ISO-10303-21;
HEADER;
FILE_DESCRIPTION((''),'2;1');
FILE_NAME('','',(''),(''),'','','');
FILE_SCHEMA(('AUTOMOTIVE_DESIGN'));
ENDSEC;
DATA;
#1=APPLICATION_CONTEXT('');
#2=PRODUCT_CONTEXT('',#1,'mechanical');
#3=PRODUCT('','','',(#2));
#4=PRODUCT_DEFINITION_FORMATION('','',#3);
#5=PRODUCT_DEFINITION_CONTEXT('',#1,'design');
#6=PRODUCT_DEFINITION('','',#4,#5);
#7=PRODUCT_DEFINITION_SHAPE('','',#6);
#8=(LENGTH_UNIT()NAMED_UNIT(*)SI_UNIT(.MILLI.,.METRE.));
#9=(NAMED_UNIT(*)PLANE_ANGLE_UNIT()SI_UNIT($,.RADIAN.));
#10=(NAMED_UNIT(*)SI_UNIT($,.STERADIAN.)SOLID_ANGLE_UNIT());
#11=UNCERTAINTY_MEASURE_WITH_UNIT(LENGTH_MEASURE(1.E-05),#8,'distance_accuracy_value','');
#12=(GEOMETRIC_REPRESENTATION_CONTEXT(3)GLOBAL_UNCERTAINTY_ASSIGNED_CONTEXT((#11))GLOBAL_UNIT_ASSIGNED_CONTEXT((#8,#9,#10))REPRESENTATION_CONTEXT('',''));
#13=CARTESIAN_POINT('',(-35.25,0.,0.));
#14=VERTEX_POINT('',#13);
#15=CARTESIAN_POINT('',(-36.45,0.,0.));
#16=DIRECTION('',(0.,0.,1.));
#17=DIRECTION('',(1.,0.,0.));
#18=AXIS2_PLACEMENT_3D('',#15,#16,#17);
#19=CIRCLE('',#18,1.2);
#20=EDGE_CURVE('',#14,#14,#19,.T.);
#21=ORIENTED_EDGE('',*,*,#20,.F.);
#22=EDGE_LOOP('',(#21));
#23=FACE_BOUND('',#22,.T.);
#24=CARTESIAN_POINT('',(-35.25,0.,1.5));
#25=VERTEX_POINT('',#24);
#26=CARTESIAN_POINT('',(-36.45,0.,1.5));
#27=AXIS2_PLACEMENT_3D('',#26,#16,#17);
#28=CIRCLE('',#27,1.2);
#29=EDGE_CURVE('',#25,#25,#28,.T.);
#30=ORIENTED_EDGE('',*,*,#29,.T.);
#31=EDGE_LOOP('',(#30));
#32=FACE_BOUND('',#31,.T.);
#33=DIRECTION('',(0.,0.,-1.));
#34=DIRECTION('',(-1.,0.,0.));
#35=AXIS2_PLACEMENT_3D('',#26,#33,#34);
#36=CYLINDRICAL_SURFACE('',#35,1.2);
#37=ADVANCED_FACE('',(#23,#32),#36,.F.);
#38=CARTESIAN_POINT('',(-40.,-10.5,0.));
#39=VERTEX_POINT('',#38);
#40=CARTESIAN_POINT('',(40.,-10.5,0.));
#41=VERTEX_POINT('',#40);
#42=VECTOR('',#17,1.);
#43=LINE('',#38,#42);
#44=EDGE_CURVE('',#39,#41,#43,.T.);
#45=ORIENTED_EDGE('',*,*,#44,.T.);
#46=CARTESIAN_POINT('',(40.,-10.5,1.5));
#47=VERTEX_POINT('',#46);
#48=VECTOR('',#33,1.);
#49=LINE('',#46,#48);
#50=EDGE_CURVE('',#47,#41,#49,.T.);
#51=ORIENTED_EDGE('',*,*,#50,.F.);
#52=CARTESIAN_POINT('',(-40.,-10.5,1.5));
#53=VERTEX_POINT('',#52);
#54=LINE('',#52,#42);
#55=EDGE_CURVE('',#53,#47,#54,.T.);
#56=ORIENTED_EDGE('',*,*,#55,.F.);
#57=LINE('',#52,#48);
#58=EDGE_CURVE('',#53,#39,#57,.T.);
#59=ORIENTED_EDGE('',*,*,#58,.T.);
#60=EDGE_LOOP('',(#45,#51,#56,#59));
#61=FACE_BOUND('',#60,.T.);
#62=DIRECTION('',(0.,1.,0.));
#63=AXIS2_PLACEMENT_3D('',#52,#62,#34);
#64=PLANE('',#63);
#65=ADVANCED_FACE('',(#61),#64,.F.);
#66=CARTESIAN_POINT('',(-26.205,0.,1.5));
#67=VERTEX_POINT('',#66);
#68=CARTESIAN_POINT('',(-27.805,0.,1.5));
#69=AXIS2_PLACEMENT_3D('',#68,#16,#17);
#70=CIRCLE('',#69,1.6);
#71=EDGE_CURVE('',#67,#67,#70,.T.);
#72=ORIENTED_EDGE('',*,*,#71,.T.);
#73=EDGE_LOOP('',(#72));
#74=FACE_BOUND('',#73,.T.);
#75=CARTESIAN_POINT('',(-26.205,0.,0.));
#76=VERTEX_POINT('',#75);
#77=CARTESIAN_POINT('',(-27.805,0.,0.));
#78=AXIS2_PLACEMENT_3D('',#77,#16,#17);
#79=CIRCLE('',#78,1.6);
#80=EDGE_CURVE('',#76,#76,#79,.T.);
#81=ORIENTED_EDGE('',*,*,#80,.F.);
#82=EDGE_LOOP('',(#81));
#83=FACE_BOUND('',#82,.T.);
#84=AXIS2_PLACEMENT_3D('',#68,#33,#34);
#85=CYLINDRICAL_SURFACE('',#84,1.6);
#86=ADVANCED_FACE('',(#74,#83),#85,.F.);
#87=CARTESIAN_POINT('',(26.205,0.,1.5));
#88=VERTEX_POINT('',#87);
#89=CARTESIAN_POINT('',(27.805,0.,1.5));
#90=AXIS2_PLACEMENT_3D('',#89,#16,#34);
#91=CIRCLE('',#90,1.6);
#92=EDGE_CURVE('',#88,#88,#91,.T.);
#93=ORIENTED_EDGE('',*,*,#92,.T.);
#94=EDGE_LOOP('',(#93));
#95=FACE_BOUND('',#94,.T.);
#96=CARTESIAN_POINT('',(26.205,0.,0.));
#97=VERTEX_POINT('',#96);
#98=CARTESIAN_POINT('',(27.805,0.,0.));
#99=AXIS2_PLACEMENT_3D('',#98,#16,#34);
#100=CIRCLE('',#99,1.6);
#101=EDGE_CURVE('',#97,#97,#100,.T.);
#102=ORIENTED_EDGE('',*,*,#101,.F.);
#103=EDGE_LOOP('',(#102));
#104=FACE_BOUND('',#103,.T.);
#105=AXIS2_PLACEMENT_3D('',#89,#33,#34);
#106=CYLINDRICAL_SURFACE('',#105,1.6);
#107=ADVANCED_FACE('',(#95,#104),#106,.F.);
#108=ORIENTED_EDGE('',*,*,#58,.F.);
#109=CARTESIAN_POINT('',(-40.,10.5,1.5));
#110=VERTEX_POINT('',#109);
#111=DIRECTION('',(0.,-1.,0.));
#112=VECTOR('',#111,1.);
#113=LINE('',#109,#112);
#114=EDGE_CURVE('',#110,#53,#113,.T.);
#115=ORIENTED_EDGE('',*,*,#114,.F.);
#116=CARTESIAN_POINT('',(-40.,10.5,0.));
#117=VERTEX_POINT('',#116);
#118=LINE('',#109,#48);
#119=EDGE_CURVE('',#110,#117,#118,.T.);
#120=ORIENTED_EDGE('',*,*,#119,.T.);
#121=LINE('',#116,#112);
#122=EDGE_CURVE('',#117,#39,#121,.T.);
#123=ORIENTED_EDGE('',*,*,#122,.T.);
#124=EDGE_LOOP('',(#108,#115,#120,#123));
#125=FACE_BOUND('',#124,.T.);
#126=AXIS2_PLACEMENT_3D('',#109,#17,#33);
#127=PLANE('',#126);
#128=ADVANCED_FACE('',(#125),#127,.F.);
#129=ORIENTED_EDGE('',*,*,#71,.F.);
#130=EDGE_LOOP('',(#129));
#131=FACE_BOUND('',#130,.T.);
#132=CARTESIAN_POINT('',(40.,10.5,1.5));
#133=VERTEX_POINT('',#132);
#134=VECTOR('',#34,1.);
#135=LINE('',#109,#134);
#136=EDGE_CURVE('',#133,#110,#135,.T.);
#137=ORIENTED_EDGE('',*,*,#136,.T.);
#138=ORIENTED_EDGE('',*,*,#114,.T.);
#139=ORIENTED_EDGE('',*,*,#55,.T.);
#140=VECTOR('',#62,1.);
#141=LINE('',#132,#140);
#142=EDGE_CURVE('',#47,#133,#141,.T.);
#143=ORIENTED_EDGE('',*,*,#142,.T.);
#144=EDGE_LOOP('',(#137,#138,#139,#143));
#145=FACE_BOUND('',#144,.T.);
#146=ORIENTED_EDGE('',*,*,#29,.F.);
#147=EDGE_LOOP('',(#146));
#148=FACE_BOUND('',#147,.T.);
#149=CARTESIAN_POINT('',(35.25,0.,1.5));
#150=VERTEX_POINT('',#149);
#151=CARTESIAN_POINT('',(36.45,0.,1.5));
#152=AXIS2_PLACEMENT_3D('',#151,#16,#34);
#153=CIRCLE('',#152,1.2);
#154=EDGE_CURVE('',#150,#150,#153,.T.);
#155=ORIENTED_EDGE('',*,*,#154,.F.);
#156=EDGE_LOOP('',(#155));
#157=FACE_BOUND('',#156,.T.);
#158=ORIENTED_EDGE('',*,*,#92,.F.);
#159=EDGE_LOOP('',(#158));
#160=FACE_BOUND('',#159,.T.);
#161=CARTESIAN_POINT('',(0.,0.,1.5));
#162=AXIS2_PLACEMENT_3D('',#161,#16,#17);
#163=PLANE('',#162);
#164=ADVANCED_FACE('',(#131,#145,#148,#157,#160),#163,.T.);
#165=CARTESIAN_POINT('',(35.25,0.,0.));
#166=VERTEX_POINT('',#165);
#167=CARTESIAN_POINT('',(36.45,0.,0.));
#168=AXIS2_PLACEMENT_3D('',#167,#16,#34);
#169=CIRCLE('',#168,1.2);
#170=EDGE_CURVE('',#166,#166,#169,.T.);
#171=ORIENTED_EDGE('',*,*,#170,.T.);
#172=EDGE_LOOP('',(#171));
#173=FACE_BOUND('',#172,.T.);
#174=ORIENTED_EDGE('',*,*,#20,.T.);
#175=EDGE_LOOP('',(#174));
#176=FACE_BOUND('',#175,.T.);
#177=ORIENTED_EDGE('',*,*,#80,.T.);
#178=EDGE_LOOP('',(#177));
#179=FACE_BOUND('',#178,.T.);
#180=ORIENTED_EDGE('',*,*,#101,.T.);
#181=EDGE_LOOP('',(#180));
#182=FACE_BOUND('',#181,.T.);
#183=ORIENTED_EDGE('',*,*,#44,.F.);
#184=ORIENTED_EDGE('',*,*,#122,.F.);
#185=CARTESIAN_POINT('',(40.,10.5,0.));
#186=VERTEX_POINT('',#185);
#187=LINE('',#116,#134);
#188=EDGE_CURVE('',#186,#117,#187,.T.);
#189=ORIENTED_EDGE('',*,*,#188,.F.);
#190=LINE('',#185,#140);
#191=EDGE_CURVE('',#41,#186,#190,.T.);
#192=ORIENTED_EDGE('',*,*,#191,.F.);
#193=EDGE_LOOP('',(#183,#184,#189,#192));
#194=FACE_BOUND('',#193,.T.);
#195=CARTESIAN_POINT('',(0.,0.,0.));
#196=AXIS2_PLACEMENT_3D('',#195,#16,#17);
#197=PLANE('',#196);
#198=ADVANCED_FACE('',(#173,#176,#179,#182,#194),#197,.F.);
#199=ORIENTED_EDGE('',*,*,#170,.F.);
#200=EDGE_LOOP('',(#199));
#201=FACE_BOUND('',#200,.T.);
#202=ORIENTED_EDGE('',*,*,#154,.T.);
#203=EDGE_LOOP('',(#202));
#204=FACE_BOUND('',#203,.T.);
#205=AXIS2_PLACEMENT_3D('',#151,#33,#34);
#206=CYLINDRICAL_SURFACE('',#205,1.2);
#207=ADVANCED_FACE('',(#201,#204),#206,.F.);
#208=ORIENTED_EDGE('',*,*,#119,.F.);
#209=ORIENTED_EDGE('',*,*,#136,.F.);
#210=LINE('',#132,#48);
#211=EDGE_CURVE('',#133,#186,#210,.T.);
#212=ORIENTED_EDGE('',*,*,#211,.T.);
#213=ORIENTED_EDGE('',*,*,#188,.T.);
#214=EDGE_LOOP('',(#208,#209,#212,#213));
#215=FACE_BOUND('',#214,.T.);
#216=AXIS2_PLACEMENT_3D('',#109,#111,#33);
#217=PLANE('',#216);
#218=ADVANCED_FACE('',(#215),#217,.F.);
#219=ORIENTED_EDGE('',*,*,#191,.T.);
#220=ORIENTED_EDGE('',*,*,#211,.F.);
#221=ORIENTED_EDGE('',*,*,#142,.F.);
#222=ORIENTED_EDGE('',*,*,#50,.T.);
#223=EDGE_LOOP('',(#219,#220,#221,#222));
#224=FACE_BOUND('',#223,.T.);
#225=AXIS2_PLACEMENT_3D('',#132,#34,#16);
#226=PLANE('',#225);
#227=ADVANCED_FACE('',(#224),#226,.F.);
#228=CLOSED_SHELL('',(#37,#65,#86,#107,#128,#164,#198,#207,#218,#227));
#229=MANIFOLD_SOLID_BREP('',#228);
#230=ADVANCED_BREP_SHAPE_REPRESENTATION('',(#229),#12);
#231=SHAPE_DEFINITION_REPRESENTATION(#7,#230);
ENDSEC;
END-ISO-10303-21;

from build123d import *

# Parameters (mm, degrees)
SKETCH1_W           = 80
SKETCH1_H           = 21
SKETCH1_R           = 1.2
SKETCH1_R_2         = 1.6
BOSS_EXTRUDE1_DEPTH = 1.5


with BuildPart() as part:
    # Sketch1 → Boss-Extrude1 (new body)
    with BuildSketch(Plane.XY):
        Rectangle(SKETCH1_W, SKETCH1_H)
        with Locations((-36.45, 0)):
            Circle(SKETCH1_R, mode=Mode.SUBTRACT)
        with Locations((-27.805, 0)):
            Circle(SKETCH1_R_2, mode=Mode.SUBTRACT)
        with Locations(Location((27.805, 0, 0), (0, 0, 180))):
            Circle(SKETCH1_R_2, mode=Mode.SUBTRACT)
        with Locations(Location((36.45, 0, 0), (0, 0, 180))):
            Circle(SKETCH1_R, mode=Mode.SUBTRACT)
    extrude(amount=BOSS_EXTRUDE1_DEPTH)


solid = part.part
